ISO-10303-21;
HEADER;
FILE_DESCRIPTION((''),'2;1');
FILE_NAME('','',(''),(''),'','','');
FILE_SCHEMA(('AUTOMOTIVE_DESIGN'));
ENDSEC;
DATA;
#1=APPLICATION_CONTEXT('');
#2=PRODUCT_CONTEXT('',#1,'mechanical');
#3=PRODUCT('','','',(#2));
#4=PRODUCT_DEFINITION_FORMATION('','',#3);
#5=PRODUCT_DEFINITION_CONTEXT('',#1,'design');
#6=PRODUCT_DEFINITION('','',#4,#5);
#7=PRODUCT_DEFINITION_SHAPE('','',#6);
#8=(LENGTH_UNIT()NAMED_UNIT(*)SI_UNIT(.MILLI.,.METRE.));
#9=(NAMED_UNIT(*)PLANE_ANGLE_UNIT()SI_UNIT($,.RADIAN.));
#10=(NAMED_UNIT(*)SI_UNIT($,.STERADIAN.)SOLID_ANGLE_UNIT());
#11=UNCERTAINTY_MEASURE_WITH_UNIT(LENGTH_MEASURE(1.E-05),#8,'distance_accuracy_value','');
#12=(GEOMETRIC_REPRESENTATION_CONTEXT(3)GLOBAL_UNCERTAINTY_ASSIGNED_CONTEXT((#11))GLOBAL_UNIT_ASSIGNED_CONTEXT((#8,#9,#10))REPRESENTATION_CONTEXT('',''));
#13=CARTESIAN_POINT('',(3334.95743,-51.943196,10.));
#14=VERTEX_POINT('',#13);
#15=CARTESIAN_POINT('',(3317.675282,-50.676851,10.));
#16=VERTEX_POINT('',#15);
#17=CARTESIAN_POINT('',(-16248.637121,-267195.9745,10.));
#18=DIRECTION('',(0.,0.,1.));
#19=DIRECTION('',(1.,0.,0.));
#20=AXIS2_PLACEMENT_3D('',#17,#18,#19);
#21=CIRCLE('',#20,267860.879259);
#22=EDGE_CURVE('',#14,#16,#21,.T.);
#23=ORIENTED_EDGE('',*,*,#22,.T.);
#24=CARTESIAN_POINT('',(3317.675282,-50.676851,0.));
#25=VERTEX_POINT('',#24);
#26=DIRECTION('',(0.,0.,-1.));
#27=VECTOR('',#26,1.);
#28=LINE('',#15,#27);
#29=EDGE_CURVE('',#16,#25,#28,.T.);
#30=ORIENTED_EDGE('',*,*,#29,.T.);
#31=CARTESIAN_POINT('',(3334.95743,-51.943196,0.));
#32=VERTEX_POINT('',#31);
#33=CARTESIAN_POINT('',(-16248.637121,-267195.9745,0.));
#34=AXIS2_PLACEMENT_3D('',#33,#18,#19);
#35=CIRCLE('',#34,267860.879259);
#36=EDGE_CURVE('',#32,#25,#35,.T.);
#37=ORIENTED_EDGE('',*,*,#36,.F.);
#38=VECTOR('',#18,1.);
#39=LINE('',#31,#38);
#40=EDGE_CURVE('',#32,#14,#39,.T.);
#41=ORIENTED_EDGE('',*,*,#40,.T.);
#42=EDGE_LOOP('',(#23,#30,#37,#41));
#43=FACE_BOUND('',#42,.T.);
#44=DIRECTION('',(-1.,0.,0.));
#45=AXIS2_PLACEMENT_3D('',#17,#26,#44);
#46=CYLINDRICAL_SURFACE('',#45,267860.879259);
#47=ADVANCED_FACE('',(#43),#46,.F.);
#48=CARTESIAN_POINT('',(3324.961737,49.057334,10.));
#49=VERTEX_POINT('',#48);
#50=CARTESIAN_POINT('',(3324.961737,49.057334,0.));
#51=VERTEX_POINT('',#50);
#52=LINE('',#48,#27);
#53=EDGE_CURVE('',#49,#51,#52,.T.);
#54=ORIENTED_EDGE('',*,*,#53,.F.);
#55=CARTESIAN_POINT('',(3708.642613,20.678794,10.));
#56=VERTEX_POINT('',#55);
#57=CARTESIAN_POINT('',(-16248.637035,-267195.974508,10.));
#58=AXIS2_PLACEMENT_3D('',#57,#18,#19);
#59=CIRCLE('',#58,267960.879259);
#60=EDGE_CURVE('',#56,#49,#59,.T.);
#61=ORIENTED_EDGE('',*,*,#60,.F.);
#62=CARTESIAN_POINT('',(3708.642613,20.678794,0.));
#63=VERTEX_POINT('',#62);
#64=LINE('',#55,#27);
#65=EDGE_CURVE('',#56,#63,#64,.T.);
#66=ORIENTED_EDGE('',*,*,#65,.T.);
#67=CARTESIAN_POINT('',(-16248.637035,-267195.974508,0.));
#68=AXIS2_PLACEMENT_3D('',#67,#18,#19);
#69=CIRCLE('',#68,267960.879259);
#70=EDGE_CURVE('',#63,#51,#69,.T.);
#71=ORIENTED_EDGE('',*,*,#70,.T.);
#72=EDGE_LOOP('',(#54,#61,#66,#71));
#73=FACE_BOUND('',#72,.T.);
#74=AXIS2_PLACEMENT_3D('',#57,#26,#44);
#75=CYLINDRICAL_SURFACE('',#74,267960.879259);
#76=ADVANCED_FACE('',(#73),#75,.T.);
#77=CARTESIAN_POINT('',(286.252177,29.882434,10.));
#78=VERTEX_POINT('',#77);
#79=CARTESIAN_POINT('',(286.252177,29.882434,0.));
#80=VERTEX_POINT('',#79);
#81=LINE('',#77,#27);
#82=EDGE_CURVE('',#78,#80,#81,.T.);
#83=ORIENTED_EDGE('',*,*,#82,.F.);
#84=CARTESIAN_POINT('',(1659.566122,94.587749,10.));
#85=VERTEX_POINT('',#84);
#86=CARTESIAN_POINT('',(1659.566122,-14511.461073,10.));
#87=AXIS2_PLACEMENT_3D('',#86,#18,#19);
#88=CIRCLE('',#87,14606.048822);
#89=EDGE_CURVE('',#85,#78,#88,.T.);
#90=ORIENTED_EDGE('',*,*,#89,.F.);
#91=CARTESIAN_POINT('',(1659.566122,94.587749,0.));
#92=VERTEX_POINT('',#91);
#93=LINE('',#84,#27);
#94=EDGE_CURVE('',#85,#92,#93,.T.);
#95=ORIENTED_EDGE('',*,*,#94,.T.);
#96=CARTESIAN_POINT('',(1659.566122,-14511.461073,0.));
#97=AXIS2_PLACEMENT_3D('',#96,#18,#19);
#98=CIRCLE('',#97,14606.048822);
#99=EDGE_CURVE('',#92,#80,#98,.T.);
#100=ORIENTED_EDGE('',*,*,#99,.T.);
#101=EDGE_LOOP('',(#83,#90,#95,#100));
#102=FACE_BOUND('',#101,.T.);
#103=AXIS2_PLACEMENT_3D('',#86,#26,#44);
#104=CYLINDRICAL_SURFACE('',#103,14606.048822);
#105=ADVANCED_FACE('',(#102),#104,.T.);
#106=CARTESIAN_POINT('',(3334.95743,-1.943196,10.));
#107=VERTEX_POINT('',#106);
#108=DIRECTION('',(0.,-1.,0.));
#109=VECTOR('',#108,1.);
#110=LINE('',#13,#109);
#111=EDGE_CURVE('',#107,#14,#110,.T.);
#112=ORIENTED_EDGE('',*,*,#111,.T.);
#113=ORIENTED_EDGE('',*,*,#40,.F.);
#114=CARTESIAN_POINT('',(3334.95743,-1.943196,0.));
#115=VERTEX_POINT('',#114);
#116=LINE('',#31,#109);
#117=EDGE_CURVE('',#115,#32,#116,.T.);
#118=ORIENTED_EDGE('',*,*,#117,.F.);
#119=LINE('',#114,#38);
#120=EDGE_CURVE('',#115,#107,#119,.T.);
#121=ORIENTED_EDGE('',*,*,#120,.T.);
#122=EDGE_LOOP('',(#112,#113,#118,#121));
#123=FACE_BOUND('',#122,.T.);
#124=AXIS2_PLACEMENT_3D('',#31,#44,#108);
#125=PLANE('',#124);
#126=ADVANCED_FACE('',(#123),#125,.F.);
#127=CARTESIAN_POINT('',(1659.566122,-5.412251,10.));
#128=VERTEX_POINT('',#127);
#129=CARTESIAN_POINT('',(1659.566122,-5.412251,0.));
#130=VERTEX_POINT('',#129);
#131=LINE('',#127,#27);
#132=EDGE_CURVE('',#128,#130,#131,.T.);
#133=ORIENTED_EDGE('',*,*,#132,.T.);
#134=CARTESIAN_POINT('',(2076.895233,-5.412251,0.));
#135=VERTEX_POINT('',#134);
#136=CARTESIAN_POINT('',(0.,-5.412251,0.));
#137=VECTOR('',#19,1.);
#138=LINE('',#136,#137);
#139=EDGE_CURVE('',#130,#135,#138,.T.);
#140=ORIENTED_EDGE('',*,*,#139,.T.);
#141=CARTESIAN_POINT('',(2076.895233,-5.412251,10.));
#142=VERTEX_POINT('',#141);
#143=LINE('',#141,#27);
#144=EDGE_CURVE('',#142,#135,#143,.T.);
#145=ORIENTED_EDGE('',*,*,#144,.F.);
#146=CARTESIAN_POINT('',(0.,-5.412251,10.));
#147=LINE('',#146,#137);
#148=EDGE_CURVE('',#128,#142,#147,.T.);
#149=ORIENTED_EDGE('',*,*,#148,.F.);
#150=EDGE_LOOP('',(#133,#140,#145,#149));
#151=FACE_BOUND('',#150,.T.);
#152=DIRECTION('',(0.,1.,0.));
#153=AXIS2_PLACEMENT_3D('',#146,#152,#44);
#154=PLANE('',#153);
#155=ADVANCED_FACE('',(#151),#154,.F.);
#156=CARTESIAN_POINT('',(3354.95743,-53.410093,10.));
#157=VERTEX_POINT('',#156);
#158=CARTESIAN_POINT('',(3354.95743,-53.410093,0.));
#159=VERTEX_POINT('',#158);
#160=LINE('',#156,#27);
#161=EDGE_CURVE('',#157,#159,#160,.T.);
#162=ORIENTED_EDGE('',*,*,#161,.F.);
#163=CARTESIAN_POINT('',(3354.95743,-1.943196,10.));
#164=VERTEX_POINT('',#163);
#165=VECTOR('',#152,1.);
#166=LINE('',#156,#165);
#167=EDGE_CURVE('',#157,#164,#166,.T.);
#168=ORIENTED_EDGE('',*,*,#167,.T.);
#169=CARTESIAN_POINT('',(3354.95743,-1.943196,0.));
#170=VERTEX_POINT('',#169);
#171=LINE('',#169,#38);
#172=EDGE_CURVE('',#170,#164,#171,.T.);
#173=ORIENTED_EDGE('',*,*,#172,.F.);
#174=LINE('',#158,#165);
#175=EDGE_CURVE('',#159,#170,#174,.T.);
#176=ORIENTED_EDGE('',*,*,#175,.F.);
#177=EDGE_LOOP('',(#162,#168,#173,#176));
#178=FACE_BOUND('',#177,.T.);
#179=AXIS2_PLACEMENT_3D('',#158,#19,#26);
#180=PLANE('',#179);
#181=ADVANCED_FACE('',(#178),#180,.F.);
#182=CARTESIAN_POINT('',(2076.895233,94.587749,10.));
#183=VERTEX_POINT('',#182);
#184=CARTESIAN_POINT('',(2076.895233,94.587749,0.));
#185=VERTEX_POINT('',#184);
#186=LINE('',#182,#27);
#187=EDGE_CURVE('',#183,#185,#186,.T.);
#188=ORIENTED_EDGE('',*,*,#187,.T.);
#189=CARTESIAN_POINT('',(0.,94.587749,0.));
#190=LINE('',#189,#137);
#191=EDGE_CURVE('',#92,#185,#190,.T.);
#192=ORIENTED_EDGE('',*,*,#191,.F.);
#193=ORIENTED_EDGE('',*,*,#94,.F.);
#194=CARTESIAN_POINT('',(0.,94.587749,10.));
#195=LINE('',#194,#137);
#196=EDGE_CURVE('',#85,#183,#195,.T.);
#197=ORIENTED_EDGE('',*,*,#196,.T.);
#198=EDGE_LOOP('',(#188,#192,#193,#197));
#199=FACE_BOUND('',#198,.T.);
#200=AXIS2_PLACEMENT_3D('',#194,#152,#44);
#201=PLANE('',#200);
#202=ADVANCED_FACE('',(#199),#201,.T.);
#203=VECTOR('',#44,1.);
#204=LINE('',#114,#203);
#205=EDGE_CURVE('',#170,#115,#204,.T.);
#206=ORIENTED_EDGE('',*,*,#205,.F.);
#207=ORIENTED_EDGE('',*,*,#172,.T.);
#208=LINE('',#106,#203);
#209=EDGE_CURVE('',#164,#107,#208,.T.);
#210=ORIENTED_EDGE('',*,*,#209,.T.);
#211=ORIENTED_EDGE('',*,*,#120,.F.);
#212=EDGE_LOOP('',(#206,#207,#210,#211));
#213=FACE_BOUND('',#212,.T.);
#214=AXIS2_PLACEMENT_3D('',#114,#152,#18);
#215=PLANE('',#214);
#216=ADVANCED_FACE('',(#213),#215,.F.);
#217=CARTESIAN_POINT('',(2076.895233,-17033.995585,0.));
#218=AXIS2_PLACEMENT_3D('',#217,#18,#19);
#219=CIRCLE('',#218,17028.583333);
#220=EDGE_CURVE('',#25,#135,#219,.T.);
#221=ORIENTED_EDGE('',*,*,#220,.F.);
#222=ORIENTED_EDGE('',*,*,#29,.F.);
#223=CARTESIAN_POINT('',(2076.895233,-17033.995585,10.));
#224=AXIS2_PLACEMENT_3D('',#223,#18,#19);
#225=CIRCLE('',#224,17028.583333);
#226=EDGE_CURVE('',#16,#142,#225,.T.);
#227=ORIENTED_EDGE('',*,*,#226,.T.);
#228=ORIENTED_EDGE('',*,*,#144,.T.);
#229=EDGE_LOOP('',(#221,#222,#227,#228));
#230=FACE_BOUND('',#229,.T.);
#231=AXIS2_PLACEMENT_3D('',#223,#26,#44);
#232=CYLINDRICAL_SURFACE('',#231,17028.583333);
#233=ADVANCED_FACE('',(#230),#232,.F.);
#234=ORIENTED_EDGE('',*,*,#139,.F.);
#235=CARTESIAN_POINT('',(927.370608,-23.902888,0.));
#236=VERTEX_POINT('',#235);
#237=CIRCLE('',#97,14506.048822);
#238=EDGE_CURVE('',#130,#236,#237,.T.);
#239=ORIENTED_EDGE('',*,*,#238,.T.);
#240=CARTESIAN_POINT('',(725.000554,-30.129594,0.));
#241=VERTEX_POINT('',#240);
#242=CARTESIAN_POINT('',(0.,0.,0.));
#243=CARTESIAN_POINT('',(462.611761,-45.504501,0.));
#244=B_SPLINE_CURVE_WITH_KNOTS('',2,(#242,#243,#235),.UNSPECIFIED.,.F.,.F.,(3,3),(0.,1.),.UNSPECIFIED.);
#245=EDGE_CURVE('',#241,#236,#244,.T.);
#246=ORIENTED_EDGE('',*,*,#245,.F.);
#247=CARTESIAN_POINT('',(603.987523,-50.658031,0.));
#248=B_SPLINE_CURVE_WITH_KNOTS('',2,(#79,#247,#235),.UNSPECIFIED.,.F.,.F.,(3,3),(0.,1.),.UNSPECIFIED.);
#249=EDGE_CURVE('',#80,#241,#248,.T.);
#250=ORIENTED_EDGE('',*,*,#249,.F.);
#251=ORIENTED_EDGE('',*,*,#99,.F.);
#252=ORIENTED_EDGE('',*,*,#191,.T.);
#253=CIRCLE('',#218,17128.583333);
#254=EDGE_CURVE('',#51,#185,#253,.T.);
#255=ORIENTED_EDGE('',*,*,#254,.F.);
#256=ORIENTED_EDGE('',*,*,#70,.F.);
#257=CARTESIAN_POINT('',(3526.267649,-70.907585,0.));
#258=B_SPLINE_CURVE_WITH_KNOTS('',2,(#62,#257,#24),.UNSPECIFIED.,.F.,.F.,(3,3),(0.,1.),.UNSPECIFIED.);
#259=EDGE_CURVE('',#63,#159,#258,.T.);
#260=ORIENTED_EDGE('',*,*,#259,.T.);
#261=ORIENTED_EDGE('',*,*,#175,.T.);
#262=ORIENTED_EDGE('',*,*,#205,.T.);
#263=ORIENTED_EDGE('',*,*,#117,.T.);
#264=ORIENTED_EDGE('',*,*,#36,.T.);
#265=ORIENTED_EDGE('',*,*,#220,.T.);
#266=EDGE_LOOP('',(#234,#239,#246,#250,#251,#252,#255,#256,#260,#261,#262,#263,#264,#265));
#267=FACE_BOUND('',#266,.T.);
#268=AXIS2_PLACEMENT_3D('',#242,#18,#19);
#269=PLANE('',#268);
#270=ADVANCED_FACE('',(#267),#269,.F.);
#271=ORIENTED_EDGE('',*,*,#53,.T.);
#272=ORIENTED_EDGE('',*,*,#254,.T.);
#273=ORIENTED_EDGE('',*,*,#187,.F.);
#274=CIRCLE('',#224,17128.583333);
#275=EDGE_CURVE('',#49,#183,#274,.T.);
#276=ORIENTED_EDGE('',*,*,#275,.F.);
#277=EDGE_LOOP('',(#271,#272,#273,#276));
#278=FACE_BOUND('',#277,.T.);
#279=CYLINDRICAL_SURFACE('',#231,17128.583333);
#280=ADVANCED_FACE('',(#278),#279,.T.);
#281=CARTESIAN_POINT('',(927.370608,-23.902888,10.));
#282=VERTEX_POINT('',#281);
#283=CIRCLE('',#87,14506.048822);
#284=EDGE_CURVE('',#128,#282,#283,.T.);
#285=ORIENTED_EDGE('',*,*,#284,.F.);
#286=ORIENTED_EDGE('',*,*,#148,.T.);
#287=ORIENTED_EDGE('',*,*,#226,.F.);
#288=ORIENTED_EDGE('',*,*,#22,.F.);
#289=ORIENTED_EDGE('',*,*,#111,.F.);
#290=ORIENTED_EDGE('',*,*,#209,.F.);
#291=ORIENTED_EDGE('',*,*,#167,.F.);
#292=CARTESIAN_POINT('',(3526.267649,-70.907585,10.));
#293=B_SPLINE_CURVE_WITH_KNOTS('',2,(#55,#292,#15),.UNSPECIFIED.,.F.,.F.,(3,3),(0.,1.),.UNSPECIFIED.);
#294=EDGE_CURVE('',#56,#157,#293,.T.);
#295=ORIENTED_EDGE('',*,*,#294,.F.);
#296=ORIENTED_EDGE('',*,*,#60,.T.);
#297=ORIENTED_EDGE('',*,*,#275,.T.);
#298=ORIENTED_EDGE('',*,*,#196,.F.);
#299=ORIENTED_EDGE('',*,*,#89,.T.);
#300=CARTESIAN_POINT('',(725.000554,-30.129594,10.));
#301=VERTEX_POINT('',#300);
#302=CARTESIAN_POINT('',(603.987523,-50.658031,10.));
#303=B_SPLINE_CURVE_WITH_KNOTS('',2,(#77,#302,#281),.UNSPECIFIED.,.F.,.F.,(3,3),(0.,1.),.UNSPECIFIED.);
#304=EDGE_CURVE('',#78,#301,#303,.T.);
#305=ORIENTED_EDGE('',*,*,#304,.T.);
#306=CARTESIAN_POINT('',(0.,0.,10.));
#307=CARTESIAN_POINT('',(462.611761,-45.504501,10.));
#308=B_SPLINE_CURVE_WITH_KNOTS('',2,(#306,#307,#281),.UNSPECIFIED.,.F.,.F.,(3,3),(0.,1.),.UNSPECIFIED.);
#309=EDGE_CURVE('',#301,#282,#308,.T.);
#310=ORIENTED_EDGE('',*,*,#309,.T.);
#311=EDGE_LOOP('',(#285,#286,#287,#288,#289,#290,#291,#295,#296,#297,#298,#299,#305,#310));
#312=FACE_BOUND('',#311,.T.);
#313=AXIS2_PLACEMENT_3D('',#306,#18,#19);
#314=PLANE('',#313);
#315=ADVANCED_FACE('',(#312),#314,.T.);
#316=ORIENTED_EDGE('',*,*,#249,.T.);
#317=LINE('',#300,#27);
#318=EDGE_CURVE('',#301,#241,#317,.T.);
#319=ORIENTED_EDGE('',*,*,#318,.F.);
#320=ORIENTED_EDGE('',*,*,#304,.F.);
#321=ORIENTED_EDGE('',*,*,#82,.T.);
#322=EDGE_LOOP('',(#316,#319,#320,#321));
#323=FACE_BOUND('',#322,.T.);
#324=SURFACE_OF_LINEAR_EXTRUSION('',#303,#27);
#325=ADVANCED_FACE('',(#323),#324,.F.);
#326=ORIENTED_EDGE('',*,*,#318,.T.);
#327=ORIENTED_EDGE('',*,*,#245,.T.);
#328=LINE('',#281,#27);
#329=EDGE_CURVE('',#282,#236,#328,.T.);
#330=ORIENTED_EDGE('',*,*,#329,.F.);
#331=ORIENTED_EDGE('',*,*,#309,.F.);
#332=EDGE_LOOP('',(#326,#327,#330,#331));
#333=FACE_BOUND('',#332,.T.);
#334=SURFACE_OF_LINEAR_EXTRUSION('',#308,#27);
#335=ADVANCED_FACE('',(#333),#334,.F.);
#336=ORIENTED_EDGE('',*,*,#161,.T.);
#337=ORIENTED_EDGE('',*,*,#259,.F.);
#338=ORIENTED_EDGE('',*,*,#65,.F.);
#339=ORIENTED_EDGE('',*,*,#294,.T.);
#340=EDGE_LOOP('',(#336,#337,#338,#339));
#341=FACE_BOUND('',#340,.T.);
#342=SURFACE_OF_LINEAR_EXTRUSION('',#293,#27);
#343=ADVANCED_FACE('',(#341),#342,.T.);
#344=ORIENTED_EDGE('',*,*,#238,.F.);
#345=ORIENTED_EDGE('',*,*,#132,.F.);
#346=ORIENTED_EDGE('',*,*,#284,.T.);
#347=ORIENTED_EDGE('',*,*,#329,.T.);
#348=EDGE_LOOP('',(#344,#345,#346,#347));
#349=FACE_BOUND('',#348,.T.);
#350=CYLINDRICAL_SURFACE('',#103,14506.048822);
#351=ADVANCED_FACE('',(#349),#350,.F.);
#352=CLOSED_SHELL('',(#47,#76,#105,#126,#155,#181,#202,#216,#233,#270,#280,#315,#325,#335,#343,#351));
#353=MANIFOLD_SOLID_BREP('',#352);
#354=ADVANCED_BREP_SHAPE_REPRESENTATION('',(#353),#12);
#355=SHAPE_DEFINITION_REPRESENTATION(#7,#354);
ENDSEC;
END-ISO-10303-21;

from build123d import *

# Parameters (mm, degrees)
BOSS_EXTRUDE1_DEPTH = 10
CUT_EXTRUDE1_DEPTH  = 3710.862109794


with BuildPart() as part:
    # Sketch1 → Boss-Extrude1 (new body)
    with BuildSketch(Plane.XY):
        with BuildLine():
            ThreePointArc((927.370608086, -23.902888447), (1293.351644263, -10.035647291), (1659.566121622, -5.412251186))
            Line((1659.566121622, -5.412251186), (2076.89523305, -5.412251186))
            ThreePointArc((2076.89523305, -5.412251186), (2375.641258252, -8.033022811), (2674.295326878, -15.894530989))
            ThreePointArc((2674.295326878, -15.894530989), (2807.667775437, -21.099833603), (2940.995326878, -27.350372482))
            ThreePointArc((2940.995326878, -27.350372482), (3129.39992894, -37.970043076), (3317.675281863, -50.676850811))
            ThreePointArc((3317.675281863, -50.676850811), (3336.316403493, -52.042821656), (3354.957429761, -53.410093259))
            add(Edge.make_bspline(
                [(3708.642612964, 20.678794226), (3542.658351866, -62.676383397), (3354.957429761, -53.410093259)],
                knots=[0, 0, 0, 0.910126354, 0.910126354, 0.910126354], degree=2))
            ThreePointArc((3708.642612964, 20.678794226), (3516.807267992, 34.936923471), (3324.961736788, 49.057333773))
            ThreePointArc((3324.961736788, 49.057333773), (3135.580740786, 61.838761971), (2946.069736633, 72.520796359))
            ThreePointArc((2946.069736633, 72.520796359), (2811.95922193, 78.808041397), (2677.803546453, 84.043912041))
            ThreePointArc((2677.803546453, 84.043912041), (2377.395638046, 91.951586762), (2076.89523305, 94.587748814))
            Line((2076.89523305, 94.587748814), (1659.566121622, 94.587748814))
            ThreePointArc((1659.566121622, 94.587748814), (1174.01952466, 86.51504314), (689.009647082, 62.305849623))
            ThreePointArc((689.009647082, 62.305849623), (487.518786709, 47.486939475), (286.252176699, 29.882434183))
            add(Edge.make_bspline(
                [(286.252176699, 29.882434183), (504.29651375, -25.388068548), (725.000553962, -30.129594175)],
                knots=[0, 0, 0, 0.68624514, 0.68624514, 0.68624514], degree=2))
            add(Edge.make_bspline(
                [(725.000553962, -30.129594175), (826.134643966, -28.608253563), (927.370608086, -23.902888447)],
                knots=[0.782175284, 0.782175284, 0.782175284, 1, 1, 1], degree=2))
        make_face()
    extrude(amount=BOSS_EXTRUDE1_DEPTH)

    # Sketch2 → Cut-Extrude1 (cut, through all)
    with BuildSketch(Plane.XY.offset(10)):
        with BuildLine():
            Line((3354.957429764, -53.410093259), (3354.957429764, -1.943195553))
            Line((3354.957429764, -1.943195553), (3334.957429764, -1.943195553))
            Line((3334.957429764, -1.943195553), (3334.957429764, -51.943195553))
            ThreePointArc((3334.957429764, -51.943195553), (3344.957443491, -52.67645724), (3354.957429764, -53.410093259))
        make_face()
    extrude(amount=-CUT_EXTRUDE1_DEPTH, mode=Mode.SUBTRACT)


solid = part.part
